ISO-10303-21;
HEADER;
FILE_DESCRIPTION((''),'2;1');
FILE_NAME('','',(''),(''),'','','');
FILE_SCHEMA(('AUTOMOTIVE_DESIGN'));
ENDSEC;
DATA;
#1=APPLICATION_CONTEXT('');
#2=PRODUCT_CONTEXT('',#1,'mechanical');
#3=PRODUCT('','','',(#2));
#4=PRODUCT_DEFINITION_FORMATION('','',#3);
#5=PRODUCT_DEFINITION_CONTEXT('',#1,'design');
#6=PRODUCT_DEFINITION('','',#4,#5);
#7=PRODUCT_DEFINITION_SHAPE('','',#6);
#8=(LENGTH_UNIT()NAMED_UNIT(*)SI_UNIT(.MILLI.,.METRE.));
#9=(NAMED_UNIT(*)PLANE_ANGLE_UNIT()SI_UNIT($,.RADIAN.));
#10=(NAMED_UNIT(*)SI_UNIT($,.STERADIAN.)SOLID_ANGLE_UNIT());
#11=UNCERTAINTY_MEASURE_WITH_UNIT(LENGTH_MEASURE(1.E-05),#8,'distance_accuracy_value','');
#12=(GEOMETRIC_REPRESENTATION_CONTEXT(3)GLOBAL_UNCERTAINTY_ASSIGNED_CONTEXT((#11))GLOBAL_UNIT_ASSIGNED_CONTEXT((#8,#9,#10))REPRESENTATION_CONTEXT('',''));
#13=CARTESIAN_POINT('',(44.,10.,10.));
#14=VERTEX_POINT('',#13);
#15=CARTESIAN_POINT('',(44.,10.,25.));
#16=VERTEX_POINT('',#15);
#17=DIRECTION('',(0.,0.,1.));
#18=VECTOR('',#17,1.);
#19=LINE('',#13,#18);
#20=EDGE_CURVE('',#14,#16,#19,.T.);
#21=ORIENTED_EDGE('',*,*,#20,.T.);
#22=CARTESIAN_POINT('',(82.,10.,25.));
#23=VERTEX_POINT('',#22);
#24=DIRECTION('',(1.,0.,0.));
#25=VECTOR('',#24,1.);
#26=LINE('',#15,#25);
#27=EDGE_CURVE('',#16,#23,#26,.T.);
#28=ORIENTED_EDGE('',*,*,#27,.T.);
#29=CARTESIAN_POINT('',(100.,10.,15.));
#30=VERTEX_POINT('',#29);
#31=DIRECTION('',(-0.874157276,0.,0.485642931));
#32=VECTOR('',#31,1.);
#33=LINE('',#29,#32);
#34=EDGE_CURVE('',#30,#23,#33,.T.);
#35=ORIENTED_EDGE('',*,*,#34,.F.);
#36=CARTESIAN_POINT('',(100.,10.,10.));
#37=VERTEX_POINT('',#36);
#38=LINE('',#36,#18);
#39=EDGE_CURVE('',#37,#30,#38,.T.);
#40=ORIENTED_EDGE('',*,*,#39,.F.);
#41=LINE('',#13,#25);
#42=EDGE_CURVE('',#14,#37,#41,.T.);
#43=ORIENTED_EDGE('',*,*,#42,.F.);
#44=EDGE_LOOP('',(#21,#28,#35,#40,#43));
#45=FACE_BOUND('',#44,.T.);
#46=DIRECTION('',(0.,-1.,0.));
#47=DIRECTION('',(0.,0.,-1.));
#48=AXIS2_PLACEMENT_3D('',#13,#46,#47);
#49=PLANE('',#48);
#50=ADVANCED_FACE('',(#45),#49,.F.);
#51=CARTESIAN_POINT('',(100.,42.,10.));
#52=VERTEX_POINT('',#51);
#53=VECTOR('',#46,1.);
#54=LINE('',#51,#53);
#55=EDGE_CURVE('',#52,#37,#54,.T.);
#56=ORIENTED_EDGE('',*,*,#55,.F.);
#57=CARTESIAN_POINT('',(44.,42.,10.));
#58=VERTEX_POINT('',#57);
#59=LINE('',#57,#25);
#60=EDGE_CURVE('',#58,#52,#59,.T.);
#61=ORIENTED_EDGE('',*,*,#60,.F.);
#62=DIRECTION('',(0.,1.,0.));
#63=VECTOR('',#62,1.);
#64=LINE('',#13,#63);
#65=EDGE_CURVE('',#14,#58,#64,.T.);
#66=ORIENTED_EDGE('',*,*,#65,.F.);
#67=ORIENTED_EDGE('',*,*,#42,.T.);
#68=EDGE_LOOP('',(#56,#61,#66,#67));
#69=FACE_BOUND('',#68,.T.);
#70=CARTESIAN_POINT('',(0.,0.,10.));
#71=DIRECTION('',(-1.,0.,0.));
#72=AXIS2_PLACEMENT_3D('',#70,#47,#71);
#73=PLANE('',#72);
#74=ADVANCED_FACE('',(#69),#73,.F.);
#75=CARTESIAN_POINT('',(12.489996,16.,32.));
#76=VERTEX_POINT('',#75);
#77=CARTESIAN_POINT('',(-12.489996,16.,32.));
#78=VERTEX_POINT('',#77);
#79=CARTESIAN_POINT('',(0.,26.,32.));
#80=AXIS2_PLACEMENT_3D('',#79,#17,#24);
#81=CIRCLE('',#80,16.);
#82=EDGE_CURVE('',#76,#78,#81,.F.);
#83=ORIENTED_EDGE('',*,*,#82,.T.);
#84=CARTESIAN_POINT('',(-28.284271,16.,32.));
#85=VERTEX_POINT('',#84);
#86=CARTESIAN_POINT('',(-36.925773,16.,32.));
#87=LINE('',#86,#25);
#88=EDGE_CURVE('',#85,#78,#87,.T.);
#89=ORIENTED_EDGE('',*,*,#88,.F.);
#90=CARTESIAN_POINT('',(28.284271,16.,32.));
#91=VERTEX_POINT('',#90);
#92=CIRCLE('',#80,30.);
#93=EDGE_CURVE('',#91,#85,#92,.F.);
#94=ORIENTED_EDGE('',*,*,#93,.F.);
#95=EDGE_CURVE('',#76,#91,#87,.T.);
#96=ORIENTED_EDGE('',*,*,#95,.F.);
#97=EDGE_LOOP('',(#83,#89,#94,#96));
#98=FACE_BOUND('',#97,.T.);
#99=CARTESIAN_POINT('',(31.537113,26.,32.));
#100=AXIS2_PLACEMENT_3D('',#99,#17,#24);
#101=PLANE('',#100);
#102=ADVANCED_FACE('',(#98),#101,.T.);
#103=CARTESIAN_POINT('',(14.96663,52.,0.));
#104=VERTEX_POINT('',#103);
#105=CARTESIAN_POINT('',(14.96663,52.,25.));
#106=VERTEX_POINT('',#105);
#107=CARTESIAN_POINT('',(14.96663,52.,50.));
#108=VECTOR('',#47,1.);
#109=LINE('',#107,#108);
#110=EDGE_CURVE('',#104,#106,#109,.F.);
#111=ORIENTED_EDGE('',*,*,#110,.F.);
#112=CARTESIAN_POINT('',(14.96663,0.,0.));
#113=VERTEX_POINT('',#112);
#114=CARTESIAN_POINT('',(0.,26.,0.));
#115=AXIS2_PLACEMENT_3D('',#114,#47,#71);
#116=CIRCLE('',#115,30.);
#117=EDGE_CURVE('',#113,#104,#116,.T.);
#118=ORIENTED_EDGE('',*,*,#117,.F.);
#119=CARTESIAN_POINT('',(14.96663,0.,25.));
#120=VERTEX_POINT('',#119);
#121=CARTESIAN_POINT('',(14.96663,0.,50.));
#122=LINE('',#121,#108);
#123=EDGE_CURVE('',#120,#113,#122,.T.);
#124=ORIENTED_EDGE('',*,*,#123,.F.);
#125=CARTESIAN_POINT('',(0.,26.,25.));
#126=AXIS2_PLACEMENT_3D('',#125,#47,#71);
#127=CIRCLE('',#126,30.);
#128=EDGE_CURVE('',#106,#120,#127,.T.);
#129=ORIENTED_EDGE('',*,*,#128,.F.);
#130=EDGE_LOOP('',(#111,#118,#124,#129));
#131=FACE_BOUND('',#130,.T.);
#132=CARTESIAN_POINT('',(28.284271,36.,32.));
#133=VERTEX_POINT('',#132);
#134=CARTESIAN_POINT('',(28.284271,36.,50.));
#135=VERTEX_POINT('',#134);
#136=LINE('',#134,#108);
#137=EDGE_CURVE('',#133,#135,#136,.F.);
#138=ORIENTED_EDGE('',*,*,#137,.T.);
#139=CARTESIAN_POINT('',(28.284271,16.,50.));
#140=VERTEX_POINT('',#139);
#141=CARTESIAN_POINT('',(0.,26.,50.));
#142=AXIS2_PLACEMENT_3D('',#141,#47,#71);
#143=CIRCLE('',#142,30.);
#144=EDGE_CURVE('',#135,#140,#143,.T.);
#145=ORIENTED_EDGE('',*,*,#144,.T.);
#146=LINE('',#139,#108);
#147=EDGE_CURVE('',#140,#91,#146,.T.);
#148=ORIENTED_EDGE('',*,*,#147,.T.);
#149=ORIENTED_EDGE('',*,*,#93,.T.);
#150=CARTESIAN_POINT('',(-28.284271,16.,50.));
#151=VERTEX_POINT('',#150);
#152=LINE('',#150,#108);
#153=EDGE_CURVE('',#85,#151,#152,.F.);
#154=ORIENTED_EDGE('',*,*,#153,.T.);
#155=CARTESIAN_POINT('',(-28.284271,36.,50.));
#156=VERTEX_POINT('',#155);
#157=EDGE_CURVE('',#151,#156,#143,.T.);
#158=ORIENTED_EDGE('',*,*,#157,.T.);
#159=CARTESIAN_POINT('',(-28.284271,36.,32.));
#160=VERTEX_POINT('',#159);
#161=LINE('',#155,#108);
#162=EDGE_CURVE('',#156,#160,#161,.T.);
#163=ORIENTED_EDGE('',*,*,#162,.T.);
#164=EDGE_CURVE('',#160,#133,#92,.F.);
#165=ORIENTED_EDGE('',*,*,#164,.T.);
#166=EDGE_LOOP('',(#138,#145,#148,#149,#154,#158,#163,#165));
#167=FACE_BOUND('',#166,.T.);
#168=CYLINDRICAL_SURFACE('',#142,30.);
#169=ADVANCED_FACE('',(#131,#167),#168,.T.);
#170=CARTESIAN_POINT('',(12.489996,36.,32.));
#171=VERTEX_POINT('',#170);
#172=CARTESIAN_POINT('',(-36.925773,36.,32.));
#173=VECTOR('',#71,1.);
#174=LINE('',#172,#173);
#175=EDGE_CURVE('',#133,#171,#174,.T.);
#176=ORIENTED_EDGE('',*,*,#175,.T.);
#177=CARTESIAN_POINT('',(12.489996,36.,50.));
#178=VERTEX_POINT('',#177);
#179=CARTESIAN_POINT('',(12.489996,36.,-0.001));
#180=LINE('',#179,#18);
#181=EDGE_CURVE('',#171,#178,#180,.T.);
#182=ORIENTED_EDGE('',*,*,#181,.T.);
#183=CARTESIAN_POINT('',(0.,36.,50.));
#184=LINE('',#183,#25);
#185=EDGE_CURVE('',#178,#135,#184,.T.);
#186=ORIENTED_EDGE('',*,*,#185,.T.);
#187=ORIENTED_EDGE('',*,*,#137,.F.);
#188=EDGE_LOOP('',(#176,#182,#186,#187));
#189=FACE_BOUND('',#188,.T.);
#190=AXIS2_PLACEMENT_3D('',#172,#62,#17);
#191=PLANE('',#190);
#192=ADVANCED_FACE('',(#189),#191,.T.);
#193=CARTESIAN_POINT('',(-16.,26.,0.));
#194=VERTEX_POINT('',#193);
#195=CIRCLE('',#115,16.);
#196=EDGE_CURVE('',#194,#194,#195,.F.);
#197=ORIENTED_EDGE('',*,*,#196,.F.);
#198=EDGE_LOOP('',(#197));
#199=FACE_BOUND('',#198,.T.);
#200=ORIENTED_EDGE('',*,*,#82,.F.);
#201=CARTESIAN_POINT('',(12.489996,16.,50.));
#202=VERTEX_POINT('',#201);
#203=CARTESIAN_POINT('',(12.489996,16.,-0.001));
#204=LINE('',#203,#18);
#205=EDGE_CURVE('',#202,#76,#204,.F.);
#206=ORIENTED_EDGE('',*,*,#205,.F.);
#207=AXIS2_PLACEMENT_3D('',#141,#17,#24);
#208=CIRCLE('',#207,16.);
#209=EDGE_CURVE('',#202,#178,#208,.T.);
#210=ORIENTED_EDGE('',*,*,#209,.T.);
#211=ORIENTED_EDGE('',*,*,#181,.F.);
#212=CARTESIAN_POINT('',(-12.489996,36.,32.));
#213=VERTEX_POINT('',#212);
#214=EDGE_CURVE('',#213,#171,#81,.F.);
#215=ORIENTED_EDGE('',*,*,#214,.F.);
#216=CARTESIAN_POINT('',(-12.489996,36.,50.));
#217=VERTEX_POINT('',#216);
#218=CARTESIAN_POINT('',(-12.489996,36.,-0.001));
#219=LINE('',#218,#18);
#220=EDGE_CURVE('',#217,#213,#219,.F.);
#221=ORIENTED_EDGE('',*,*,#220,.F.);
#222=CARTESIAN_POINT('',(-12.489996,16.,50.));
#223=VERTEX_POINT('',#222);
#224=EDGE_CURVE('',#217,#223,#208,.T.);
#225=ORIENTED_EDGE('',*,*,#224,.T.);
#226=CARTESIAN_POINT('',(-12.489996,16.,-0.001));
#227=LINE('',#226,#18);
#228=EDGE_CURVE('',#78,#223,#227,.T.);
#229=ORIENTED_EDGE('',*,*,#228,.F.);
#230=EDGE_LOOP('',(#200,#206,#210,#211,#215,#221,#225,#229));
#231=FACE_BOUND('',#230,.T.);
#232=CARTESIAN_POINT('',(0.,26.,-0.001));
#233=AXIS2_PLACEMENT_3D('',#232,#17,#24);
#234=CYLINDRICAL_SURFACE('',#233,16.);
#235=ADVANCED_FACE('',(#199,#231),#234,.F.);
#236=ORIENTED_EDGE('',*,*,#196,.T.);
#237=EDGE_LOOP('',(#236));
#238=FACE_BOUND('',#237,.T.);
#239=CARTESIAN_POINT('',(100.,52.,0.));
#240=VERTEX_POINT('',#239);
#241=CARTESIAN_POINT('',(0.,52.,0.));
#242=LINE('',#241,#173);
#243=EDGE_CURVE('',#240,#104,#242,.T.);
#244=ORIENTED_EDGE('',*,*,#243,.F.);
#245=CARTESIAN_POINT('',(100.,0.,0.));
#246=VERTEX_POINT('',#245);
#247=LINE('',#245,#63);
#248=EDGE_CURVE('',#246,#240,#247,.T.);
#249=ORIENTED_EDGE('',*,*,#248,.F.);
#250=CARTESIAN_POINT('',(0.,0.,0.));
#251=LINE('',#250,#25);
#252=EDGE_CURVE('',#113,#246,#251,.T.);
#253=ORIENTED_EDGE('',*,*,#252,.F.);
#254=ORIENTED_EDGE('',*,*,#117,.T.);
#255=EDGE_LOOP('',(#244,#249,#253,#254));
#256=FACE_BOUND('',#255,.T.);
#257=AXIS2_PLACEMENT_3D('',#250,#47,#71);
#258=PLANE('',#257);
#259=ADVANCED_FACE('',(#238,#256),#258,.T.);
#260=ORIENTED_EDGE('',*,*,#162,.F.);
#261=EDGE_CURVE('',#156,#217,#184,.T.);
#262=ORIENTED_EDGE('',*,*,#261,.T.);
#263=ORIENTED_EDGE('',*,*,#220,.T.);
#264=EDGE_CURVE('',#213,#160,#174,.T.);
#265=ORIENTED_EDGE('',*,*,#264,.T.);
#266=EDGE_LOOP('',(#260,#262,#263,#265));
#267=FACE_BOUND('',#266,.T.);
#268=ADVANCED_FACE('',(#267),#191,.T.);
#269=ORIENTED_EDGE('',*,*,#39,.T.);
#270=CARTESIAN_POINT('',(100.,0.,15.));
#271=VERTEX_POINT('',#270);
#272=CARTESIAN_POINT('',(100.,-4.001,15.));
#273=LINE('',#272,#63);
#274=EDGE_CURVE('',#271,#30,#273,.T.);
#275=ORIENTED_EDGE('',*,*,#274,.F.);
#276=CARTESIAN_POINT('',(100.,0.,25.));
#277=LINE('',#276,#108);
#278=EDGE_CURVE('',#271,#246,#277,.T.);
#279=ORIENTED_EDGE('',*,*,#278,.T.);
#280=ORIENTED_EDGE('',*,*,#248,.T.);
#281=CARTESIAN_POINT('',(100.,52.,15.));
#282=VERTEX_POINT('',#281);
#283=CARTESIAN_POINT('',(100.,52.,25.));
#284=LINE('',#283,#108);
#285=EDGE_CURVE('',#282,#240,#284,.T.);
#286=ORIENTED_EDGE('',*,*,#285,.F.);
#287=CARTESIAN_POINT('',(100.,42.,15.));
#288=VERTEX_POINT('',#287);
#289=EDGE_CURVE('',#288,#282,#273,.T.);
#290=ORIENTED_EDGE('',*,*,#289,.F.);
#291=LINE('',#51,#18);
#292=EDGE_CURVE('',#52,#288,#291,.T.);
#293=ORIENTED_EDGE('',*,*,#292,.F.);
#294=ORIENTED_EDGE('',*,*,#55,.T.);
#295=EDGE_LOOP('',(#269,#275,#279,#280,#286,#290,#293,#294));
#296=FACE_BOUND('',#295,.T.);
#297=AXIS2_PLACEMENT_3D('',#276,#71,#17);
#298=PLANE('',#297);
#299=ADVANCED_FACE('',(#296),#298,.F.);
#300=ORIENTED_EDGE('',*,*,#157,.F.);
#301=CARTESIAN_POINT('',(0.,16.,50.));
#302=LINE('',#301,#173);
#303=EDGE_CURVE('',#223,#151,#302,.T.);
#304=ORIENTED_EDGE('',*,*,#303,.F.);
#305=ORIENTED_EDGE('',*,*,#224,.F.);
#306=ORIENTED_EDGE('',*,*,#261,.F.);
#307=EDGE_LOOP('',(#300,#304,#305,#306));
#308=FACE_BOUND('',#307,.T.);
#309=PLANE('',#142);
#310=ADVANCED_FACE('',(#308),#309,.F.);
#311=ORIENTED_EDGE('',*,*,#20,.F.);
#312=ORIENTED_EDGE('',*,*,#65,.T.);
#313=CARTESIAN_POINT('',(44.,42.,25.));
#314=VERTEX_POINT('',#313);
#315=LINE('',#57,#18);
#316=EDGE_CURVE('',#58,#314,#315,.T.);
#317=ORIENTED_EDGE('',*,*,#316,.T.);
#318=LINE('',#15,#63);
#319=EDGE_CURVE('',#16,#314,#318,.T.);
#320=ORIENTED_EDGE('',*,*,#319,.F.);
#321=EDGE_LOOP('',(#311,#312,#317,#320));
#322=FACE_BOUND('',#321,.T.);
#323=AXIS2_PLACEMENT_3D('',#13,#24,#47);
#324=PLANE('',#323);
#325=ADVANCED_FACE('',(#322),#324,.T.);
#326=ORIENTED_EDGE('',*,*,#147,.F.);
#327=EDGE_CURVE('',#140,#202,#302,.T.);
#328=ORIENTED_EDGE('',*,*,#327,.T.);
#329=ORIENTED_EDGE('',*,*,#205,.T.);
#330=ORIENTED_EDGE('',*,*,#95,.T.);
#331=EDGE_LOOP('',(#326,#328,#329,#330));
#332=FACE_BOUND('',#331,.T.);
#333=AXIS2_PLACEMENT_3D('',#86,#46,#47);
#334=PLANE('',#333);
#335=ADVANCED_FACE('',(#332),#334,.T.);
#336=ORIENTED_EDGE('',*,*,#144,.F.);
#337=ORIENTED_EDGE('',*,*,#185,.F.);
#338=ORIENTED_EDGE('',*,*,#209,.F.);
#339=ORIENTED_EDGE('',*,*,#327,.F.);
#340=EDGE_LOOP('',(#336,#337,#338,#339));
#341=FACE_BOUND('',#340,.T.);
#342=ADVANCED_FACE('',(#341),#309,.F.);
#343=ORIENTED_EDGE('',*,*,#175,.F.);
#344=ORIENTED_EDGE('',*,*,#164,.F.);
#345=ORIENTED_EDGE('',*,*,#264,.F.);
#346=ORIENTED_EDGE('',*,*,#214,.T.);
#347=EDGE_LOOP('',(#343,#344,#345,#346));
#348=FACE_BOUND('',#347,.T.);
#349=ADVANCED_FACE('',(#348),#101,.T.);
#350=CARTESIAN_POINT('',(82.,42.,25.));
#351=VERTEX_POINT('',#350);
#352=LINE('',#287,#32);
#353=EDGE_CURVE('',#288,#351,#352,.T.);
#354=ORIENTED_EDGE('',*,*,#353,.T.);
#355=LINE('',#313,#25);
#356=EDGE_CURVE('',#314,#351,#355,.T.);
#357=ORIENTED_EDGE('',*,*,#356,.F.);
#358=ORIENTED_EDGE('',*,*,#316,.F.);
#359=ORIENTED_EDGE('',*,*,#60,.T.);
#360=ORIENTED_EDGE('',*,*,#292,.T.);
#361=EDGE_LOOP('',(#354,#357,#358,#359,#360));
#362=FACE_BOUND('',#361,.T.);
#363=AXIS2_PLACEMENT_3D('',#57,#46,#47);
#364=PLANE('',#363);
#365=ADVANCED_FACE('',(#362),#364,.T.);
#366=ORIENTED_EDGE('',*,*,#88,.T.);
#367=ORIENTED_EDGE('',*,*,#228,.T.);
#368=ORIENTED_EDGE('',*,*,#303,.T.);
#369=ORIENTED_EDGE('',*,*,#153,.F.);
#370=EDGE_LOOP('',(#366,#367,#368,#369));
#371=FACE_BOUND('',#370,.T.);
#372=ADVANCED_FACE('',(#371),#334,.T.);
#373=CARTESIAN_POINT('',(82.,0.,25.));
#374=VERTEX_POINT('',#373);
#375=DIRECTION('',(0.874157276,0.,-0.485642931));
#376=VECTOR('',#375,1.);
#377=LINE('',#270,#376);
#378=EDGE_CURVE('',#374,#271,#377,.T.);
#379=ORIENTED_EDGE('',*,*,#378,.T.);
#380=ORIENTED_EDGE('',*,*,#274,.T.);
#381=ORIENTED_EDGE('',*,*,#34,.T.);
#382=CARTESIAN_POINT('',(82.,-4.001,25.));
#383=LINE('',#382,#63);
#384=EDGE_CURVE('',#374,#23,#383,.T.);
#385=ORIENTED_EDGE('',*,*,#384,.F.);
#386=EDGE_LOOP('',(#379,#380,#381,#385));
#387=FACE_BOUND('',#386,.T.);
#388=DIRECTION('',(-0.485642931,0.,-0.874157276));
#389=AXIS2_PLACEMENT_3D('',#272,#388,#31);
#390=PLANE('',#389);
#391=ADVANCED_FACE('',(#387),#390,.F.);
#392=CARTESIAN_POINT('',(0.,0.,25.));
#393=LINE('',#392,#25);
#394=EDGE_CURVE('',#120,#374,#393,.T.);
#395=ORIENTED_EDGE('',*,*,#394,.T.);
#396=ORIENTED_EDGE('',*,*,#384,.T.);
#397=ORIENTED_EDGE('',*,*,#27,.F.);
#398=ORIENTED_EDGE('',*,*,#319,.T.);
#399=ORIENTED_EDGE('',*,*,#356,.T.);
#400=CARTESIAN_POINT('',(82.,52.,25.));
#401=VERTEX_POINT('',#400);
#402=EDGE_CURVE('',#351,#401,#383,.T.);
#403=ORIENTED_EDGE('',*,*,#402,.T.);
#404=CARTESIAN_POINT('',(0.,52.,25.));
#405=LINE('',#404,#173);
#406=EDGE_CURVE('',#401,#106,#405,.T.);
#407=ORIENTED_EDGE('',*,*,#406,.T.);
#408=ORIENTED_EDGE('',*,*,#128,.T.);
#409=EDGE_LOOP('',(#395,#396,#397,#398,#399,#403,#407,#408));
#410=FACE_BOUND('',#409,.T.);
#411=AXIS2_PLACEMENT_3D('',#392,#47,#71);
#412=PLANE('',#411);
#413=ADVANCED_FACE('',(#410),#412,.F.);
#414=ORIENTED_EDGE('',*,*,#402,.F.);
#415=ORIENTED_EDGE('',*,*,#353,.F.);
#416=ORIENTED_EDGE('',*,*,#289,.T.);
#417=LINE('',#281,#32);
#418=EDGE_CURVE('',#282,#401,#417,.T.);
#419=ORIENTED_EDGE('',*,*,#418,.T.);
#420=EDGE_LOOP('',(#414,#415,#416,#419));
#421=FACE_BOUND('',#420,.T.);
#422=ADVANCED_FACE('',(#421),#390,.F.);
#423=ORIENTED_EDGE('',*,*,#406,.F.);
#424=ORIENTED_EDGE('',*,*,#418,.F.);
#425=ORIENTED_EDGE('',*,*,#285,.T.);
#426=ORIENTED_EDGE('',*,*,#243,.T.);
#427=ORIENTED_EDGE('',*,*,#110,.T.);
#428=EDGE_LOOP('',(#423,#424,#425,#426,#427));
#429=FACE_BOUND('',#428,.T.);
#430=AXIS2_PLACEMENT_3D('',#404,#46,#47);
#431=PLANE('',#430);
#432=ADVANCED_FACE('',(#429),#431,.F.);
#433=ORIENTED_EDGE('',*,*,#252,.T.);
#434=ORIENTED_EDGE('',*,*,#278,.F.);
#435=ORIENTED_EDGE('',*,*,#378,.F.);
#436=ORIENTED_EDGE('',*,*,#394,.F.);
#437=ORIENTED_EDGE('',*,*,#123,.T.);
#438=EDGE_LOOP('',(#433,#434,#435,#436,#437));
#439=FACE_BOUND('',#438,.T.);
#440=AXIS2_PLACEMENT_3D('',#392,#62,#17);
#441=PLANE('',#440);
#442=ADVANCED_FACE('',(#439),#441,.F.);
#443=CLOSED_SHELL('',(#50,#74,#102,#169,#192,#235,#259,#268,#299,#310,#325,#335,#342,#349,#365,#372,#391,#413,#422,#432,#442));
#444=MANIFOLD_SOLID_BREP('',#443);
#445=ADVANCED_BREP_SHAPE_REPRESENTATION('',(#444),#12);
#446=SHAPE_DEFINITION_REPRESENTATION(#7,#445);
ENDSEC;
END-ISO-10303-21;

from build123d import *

# Parameters (mm, degrees)
SKETCH1_W           = 100
SKETCH1_H           = 52
BOSS_EXTRUDE1_DEPTH = 25
SKETCH2_R           = 30
BOSS_EXTRUDE2_DEPTH = 50
CUT_EXTRUDE1_REACH  = 127.044
SKETCH4_W           = 56
SKETCH4_H           = 32
CUT_EXTRUDE2_DEPTH  = 15
SKETCH5_OUTSIDE_W   = 162.332
SKETCH5_OUTSIDE_H   = 92.332
SKETCH5_OUTSIDE_W_2 = 73.851546866
SKETCH5_OUTSIDE_H_2 = 20
CUT_EXTRUDE3_DEPTH  = 18
CUT_EXTRUDE4_REACH  = 127.044
SKETCH6_R           = 16


with BuildPart() as part:
    # Sketch1 → Boss-Extrude1 (new body)
    with BuildSketch(Plane.XY):
        with Locations((50, 26)):
            Rectangle(SKETCH1_W, SKETCH1_H)
    extrude(amount=BOSS_EXTRUDE1_DEPTH)

    # Sketch2 → Boss-Extrude2 (add)
    with BuildSketch(Plane(origin=(0, 0, 0), x_dir=(-1, 0, 0), z_dir=(0, 0, -1))):
        with Locations((0, 26)):
            Circle(SKETCH2_R)
    extrude(amount=-BOSS_EXTRUDE2_DEPTH)

    # Sketch3 → Cut-Extrude1 (cut, up to next)
    with BuildSketch(Plane(origin=(0, 52, 0), x_dir=(1, 0, 0), z_dir=(0, 1, 0)), mode=Mode.PRIVATE) as cut_extrude1_sk1:
        Polygon((100, -25), (100, -15), (82, -25), align=None)
    cut_extrude1_tool1 = extrude(cut_extrude1_sk1.sketch, amount=-CUT_EXTRUDE1_REACH, mode=Mode.PRIVATE) & part.part
    add(cut_extrude1_tool1.solids().sort_by_distance((94, 52, 21.666667))[0], mode=Mode.SUBTRACT)

    # Sketch4 → Cut-Extrude2 (cut)
    with BuildSketch(Plane.XY.offset(25)):
        with Locations((72, 26)):
            Rectangle(SKETCH4_W, SKETCH4_H)
    extrude(amount=-CUT_EXTRUDE2_DEPTH, mode=Mode.SUBTRACT)

    # Sketch5 outside → Cut-Extrude3 (cut)
    with BuildSketch(Plane.XY.offset(50)):
        with Locations((35, 26)):
            Rectangle(SKETCH5_OUTSIDE_W, SKETCH5_OUTSIDE_H)
        with Locations((0, 26)):
            Rectangle(SKETCH5_OUTSIDE_W_2, SKETCH5_OUTSIDE_H_2, mode=Mode.SUBTRACT)
    extrude(amount=-CUT_EXTRUDE3_DEPTH, mode=Mode.SUBTRACT)

    # Sketch6 → Cut-Extrude4 (cut, up to next)
    with BuildSketch(Plane.XY.offset(50), mode=Mode.PRIVATE) as cut_extrude4_sk1:
        with Locations(Location((0, 26, 0), (0, 0, 38.682187453))):
            Circle(SKETCH6_R)
    cut_extrude4_tool1 = extrude(cut_extrude4_sk1.sketch, amount=-CUT_EXTRUDE4_REACH, mode=Mode.PRIVATE) & part.part
    add(cut_extrude4_tool1.solids().sort_by_distance((0, 26, 50))[0], mode=Mode.SUBTRACT)


solid = part.part
